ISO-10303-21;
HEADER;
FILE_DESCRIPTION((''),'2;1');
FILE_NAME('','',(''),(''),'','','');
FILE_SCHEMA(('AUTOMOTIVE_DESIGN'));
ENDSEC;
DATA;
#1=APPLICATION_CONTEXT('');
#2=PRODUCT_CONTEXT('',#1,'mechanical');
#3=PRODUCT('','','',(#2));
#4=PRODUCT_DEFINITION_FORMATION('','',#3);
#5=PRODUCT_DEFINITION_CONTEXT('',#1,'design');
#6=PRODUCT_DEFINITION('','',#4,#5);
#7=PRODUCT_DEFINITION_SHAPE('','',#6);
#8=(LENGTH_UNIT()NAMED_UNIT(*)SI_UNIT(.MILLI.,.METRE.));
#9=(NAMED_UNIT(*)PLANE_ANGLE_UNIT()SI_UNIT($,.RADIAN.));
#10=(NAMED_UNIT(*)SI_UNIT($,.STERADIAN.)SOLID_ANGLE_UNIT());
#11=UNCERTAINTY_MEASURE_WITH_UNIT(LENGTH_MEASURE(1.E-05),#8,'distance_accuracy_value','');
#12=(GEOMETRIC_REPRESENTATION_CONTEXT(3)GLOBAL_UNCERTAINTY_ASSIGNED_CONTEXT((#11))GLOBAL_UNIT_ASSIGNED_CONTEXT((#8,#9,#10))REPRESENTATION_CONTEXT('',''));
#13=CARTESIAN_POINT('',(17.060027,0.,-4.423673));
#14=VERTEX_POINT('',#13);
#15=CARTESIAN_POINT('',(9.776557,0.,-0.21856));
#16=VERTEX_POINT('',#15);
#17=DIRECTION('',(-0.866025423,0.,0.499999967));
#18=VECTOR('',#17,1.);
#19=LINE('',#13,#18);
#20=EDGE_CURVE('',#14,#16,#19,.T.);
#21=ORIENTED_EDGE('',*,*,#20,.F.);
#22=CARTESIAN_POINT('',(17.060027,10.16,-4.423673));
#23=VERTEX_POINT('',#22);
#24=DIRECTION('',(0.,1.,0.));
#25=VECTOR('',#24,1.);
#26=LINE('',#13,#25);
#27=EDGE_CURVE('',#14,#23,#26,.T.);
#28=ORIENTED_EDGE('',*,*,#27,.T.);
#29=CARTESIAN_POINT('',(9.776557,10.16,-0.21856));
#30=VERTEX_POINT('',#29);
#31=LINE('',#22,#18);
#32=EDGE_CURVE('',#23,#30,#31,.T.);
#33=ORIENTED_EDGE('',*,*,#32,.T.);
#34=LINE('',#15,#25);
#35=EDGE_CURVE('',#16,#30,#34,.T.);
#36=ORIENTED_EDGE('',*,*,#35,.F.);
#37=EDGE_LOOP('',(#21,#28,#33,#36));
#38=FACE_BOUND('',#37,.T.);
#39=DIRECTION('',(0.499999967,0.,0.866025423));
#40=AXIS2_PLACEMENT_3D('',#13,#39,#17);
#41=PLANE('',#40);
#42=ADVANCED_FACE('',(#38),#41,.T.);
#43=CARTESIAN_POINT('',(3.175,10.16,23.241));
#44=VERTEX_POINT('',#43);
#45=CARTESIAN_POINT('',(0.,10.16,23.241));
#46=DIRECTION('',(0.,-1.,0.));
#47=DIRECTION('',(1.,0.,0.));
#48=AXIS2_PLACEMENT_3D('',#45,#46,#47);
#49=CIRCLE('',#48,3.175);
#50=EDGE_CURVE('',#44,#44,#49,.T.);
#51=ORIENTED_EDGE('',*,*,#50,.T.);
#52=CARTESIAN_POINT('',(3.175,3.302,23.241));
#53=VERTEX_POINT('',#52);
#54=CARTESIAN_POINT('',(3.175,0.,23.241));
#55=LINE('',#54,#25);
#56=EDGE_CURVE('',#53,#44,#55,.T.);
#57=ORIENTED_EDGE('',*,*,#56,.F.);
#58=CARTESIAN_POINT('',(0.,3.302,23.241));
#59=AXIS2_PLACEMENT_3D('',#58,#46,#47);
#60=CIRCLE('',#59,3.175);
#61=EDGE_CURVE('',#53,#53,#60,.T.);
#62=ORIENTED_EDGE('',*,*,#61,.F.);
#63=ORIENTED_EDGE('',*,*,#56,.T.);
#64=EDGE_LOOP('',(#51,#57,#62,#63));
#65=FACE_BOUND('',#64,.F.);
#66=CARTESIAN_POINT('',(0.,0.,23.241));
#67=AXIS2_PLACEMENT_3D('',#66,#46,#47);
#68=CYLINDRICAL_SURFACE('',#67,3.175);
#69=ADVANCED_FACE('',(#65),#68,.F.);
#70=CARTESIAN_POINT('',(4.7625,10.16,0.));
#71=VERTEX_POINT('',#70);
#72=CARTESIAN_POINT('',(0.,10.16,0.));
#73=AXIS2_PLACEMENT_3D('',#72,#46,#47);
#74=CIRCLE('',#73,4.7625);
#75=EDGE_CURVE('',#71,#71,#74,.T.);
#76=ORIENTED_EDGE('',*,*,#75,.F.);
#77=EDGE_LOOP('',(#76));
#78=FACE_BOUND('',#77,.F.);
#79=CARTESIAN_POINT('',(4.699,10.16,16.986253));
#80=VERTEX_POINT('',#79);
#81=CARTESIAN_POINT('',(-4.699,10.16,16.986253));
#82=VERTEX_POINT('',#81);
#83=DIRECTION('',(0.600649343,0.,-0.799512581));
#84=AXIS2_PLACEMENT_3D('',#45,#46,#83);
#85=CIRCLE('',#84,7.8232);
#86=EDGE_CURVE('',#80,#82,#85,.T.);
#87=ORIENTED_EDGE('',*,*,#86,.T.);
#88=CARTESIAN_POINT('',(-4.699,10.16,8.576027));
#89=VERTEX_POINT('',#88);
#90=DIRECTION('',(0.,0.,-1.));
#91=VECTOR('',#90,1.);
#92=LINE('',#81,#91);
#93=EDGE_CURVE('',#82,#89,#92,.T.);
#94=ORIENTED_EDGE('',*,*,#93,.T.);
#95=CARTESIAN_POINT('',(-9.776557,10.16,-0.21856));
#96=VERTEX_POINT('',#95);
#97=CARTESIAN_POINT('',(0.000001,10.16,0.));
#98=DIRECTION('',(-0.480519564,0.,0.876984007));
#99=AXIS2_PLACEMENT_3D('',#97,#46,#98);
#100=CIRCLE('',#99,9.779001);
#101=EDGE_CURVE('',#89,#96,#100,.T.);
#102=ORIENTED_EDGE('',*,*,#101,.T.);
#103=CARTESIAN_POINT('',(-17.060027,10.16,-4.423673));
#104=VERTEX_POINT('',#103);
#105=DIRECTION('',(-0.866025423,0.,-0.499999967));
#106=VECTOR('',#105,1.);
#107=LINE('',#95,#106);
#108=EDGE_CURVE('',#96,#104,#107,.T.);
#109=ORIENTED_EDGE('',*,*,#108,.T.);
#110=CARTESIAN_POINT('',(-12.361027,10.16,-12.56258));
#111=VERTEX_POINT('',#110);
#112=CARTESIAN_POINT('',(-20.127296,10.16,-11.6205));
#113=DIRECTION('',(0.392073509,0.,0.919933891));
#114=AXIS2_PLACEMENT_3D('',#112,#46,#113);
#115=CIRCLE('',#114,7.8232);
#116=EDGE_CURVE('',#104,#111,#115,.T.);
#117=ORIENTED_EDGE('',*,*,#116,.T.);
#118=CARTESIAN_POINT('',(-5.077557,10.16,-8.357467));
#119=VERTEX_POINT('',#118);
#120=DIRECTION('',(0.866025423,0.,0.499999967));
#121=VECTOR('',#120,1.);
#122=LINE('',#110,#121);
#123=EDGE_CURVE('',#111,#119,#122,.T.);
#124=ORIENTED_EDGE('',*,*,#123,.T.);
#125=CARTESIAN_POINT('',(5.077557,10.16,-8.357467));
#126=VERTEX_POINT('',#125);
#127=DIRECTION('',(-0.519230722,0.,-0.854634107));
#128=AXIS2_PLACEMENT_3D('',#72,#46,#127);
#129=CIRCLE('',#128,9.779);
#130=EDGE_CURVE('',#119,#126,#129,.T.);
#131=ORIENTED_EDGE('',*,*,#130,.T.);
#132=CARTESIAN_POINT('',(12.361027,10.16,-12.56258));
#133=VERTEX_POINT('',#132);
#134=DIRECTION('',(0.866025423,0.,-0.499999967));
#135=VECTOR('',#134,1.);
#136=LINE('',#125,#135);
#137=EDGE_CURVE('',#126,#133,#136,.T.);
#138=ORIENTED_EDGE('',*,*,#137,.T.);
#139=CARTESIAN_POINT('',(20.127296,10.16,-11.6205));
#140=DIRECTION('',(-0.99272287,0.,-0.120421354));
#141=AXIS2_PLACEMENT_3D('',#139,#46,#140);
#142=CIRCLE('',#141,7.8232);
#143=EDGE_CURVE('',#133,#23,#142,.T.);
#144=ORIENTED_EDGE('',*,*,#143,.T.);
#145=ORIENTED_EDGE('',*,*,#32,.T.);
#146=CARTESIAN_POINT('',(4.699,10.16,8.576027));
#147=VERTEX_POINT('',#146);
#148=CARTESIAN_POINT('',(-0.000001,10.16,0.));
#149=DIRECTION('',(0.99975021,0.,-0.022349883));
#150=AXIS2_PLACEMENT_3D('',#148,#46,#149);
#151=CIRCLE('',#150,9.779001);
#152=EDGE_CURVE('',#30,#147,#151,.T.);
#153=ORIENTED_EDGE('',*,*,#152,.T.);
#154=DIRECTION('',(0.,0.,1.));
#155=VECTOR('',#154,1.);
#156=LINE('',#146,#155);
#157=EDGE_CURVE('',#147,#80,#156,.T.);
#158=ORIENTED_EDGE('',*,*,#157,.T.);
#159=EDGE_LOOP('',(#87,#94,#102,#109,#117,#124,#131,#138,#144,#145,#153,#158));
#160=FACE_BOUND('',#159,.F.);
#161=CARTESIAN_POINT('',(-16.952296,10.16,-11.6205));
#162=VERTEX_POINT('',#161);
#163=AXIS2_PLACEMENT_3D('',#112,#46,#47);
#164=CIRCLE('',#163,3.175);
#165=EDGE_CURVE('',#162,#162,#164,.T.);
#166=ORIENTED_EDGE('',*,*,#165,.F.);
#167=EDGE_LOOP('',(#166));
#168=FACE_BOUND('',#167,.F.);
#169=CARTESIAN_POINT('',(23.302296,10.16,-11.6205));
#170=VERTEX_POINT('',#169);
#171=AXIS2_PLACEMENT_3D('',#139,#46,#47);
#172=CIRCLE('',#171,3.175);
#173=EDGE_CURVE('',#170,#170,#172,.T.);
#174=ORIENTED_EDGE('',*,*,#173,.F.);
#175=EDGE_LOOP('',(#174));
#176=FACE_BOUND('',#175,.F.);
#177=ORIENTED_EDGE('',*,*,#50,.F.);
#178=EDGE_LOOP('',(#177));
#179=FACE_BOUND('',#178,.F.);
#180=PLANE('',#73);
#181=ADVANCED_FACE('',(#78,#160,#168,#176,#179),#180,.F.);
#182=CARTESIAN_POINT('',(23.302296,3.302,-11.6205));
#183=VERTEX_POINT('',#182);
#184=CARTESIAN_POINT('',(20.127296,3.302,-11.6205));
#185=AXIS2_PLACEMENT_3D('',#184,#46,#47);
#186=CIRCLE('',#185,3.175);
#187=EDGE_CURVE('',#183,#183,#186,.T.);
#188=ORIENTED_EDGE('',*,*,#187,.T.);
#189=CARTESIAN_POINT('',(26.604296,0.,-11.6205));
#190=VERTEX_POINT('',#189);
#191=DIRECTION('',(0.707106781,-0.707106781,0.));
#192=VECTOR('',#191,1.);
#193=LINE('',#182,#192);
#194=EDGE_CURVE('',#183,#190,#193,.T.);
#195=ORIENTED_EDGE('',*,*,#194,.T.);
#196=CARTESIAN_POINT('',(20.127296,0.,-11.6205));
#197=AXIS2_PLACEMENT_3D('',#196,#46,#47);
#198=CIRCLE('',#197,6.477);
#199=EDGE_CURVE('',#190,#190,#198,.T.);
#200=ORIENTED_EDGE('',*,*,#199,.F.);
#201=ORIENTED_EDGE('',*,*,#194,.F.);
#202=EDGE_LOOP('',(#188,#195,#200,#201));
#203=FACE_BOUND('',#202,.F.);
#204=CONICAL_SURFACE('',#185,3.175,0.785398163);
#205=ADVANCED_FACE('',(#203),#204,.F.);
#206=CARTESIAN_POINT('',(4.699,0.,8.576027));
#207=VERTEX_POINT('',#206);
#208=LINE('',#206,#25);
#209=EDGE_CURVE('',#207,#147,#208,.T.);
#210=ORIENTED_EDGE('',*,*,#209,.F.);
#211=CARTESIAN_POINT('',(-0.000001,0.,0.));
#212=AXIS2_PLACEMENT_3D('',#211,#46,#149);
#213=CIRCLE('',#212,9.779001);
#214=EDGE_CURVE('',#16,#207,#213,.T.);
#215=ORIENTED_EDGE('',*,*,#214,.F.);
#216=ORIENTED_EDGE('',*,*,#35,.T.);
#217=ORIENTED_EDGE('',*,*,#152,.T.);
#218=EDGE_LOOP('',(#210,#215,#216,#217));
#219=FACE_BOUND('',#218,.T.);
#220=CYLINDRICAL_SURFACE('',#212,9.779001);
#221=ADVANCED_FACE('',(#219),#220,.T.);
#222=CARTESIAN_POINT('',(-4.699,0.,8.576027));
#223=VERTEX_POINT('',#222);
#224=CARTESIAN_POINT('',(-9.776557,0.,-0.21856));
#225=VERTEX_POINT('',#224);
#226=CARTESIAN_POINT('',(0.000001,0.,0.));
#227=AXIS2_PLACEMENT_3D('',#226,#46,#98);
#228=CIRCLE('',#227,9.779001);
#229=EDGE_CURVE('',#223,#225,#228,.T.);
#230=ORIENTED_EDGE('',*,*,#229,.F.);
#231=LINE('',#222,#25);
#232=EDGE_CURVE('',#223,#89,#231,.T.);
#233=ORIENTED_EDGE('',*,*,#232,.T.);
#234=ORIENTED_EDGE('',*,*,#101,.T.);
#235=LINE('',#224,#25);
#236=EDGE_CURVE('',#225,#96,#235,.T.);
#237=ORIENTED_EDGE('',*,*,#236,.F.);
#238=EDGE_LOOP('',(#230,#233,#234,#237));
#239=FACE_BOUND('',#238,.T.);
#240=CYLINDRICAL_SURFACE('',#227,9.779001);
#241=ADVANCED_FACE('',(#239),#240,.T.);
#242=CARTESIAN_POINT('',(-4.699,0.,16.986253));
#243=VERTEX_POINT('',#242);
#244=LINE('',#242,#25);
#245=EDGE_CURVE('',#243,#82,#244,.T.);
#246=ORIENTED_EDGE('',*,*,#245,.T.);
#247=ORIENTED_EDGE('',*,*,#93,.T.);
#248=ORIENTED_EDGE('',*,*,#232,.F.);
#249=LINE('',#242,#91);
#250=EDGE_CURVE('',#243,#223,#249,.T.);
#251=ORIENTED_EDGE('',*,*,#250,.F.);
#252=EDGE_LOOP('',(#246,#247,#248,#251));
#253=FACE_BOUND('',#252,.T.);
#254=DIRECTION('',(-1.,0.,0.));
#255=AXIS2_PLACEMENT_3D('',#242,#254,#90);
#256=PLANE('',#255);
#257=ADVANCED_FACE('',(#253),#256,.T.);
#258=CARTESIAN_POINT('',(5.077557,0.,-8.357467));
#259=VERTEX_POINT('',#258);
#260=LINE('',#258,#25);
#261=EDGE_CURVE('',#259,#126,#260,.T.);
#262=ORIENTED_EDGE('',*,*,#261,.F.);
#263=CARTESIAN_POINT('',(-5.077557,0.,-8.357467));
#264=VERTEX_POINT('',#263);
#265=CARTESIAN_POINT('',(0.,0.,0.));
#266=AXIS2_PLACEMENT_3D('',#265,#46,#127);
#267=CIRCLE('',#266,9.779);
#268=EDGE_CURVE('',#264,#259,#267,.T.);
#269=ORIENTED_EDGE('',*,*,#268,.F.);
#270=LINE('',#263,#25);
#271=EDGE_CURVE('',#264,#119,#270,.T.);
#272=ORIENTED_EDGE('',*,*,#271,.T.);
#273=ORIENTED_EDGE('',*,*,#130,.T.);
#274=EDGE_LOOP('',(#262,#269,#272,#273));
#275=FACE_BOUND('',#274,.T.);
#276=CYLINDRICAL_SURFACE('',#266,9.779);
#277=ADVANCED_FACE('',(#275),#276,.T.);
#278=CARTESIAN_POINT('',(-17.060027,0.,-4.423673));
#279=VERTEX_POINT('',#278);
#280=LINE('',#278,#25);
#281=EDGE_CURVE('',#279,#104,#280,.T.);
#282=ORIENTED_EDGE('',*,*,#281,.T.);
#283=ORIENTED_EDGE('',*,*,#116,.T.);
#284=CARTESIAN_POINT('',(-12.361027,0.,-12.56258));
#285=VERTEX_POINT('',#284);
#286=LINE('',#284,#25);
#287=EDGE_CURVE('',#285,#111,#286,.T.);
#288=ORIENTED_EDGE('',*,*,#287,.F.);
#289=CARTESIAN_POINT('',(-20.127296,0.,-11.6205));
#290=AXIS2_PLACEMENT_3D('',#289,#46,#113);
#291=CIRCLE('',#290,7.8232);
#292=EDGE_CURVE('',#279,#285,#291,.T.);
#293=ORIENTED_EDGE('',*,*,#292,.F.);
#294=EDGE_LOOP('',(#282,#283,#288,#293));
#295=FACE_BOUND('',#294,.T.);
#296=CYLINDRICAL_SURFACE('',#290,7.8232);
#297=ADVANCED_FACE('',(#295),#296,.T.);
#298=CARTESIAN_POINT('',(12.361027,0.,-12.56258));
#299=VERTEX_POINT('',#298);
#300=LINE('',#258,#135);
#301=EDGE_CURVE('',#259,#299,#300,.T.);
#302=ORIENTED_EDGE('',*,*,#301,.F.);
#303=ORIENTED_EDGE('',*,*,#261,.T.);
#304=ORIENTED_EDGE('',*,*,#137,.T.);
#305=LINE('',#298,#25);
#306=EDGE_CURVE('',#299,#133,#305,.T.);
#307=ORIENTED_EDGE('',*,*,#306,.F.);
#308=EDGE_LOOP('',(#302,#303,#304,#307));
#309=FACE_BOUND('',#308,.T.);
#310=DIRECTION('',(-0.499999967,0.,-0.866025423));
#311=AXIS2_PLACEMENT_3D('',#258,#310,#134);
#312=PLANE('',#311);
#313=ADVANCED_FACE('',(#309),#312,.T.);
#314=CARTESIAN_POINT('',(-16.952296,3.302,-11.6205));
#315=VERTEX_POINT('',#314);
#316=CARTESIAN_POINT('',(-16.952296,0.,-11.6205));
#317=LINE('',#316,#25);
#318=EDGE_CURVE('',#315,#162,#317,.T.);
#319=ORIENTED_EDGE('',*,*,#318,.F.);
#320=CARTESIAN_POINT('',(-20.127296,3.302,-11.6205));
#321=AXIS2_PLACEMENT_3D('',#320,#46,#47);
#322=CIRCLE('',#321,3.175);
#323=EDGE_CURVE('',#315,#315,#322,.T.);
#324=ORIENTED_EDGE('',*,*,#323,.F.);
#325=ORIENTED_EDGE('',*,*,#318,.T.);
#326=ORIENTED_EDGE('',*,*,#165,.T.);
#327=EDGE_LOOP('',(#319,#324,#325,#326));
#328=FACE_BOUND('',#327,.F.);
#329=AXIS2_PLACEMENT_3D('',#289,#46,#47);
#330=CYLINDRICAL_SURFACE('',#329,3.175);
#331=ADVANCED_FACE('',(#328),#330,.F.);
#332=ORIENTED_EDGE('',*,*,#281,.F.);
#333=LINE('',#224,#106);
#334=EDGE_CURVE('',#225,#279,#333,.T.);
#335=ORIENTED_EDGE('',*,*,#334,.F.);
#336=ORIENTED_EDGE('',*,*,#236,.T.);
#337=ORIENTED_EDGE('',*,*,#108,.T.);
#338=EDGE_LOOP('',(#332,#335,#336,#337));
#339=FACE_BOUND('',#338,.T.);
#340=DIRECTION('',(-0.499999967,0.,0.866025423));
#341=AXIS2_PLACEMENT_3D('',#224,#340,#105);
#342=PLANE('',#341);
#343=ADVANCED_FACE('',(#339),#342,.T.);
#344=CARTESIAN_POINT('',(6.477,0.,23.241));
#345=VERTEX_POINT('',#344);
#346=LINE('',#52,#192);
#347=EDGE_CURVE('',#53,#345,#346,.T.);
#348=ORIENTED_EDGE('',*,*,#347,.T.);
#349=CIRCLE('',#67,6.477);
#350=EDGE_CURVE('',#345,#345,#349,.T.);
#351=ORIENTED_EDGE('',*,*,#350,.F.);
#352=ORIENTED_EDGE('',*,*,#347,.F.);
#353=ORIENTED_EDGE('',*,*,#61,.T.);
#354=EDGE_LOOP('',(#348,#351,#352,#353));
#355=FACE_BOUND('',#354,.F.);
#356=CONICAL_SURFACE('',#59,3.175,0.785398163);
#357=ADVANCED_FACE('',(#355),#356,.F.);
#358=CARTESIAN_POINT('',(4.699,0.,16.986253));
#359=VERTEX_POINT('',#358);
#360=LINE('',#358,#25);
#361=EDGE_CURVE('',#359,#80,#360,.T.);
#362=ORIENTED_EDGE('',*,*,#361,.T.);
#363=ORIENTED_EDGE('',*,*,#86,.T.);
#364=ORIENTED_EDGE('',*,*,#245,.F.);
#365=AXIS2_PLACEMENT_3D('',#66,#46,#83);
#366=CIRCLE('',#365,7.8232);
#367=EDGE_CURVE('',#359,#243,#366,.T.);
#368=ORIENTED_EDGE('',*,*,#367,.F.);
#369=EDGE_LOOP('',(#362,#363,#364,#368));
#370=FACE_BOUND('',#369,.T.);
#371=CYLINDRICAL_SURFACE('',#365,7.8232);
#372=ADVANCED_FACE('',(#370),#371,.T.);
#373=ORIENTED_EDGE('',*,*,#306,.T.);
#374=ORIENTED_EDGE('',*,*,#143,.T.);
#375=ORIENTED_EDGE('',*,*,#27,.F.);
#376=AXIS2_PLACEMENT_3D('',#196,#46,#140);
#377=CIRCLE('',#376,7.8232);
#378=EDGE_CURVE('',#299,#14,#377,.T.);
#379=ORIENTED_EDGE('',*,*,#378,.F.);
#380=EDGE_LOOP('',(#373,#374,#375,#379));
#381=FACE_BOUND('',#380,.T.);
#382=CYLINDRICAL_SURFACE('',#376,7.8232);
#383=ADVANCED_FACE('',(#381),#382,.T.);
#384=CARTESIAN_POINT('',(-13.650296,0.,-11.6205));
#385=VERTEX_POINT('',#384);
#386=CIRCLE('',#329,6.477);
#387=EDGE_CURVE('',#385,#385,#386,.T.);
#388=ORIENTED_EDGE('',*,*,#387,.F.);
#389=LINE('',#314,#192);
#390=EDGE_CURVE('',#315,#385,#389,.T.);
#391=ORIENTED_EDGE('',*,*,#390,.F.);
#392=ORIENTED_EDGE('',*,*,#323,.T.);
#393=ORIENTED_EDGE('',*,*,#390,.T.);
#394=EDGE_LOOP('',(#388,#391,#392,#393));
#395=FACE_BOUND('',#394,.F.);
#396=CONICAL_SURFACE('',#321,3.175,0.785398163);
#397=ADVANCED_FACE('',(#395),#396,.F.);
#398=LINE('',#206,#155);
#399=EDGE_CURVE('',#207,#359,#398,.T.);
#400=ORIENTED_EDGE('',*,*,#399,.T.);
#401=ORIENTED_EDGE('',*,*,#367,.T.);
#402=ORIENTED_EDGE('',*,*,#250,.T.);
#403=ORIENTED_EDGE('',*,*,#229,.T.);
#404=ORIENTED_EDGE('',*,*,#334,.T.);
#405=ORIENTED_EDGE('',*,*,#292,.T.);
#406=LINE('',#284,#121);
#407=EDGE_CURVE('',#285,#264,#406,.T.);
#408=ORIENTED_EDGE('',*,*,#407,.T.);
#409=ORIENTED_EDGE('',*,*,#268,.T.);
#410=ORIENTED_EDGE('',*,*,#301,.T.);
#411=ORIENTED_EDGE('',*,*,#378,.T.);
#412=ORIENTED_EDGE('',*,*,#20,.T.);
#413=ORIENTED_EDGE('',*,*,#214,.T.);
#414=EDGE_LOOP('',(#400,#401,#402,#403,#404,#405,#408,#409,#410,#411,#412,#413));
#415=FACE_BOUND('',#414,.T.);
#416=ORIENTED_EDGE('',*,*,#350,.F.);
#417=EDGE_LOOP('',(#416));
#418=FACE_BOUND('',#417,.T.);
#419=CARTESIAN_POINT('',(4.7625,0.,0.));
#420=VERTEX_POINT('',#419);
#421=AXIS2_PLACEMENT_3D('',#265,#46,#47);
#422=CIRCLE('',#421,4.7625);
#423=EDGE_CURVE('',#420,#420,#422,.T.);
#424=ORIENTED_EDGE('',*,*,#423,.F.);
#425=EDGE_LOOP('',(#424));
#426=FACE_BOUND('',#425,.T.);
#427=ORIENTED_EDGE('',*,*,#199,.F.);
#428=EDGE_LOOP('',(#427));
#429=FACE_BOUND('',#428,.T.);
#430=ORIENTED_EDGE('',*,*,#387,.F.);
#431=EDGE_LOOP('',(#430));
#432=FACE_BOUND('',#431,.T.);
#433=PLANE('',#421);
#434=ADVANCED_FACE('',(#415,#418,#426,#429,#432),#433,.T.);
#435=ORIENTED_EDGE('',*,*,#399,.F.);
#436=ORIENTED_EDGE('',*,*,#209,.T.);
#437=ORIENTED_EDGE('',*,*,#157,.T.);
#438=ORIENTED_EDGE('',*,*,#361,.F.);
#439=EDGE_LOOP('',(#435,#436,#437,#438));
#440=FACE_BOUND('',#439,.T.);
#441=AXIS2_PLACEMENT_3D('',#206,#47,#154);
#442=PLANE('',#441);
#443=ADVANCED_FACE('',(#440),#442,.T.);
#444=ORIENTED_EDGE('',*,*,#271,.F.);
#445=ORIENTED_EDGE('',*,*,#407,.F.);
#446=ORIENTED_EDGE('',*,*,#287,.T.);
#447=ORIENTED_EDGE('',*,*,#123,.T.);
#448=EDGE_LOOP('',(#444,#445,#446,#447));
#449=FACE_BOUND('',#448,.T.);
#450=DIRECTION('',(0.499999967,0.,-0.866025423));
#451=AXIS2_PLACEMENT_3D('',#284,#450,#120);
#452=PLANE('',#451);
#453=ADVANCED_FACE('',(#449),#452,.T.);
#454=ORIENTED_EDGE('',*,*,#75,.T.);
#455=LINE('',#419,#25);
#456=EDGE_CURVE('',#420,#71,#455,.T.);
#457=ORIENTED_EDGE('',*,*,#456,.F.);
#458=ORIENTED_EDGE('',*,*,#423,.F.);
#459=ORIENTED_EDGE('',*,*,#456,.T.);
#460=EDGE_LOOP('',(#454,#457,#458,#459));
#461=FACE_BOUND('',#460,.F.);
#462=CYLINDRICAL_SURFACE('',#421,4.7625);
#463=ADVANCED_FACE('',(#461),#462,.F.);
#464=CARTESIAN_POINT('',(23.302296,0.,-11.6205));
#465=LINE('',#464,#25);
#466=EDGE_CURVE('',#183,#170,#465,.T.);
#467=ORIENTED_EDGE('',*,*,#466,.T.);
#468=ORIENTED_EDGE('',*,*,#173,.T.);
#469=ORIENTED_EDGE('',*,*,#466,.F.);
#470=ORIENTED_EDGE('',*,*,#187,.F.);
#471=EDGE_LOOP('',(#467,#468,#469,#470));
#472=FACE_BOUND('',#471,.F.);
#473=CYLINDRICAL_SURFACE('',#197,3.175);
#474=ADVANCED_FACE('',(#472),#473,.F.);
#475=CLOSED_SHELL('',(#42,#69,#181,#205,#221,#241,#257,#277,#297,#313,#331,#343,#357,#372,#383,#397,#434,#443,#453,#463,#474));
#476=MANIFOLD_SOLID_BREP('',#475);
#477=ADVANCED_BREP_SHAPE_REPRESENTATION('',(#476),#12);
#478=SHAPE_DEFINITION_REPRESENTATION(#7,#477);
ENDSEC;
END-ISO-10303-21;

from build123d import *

# Parameters (mm, degrees)
F0_R     = 3.175
F0_R_2   = 4.7625
F1_DEPTH = 10.16
F2_SIZE  = 3.302


with BuildPart() as f1:
    # F0 (on Front) → F1 (new body)
    with BuildSketch(Plane.XZ):
        with BuildLine():
            Line((4.699, 8.576027), (4.699, 16.986253))
            ThreePointArc((4.699, 16.986253), (0, 31.0642), (-4.699, 16.986253))
            Line((-4.699, 16.986253), (-4.699, 8.576027))
            ThreePointArc((-4.699, 8.576027), (-8.468862, 4.8895), (-9.776557, -0.21856))
            Line((-9.776557, -0.21856), (-17.060027, -4.423673))
            ThreePointArc((-17.060027, -4.423673), (-26.902386, -15.5321), (-12.361027, -12.56258))
            Line((-12.361027, -12.56258), (-5.077557, -8.357467))
            ThreePointArc((-5.077557, -8.357467), (0, -9.779), (5.077557, -8.357467))
            Line((5.077557, -8.357467), (12.361027, -12.56258))
            ThreePointArc((12.361027, -12.56258), (26.902386, -15.5321), (17.060027, -4.423673))
            Line((17.060027, -4.423673), (9.776557, -0.21856))
            ThreePointArc((9.776557, -0.21856), (8.468862, 4.8895), (4.699, 8.576027))
        make_face()
        with Locations((-20.127296, -11.6205)):
            Circle(F0_R, mode=Mode.SUBTRACT)
        Circle(F0_R_2, mode=Mode.SUBTRACT)
        with Locations((20.127296, -11.6205)):
            Circle(F0_R, mode=Mode.SUBTRACT)
        with Locations((0, 23.241)):
            Circle(F0_R, mode=Mode.SUBTRACT)
    extrude(amount=-F1_DEPTH)

    # F2
    f2_edges = [f1.edges().sort_by_distance(p)[0] for p in [
        (-3.175, 0, 23.241),
        (-23.302296, 0, -11.6205),
        (16.952296, 0, -11.6205),
    ]]
    chamfer(f2_edges, length=F2_SIZE)


solid = f1.part
